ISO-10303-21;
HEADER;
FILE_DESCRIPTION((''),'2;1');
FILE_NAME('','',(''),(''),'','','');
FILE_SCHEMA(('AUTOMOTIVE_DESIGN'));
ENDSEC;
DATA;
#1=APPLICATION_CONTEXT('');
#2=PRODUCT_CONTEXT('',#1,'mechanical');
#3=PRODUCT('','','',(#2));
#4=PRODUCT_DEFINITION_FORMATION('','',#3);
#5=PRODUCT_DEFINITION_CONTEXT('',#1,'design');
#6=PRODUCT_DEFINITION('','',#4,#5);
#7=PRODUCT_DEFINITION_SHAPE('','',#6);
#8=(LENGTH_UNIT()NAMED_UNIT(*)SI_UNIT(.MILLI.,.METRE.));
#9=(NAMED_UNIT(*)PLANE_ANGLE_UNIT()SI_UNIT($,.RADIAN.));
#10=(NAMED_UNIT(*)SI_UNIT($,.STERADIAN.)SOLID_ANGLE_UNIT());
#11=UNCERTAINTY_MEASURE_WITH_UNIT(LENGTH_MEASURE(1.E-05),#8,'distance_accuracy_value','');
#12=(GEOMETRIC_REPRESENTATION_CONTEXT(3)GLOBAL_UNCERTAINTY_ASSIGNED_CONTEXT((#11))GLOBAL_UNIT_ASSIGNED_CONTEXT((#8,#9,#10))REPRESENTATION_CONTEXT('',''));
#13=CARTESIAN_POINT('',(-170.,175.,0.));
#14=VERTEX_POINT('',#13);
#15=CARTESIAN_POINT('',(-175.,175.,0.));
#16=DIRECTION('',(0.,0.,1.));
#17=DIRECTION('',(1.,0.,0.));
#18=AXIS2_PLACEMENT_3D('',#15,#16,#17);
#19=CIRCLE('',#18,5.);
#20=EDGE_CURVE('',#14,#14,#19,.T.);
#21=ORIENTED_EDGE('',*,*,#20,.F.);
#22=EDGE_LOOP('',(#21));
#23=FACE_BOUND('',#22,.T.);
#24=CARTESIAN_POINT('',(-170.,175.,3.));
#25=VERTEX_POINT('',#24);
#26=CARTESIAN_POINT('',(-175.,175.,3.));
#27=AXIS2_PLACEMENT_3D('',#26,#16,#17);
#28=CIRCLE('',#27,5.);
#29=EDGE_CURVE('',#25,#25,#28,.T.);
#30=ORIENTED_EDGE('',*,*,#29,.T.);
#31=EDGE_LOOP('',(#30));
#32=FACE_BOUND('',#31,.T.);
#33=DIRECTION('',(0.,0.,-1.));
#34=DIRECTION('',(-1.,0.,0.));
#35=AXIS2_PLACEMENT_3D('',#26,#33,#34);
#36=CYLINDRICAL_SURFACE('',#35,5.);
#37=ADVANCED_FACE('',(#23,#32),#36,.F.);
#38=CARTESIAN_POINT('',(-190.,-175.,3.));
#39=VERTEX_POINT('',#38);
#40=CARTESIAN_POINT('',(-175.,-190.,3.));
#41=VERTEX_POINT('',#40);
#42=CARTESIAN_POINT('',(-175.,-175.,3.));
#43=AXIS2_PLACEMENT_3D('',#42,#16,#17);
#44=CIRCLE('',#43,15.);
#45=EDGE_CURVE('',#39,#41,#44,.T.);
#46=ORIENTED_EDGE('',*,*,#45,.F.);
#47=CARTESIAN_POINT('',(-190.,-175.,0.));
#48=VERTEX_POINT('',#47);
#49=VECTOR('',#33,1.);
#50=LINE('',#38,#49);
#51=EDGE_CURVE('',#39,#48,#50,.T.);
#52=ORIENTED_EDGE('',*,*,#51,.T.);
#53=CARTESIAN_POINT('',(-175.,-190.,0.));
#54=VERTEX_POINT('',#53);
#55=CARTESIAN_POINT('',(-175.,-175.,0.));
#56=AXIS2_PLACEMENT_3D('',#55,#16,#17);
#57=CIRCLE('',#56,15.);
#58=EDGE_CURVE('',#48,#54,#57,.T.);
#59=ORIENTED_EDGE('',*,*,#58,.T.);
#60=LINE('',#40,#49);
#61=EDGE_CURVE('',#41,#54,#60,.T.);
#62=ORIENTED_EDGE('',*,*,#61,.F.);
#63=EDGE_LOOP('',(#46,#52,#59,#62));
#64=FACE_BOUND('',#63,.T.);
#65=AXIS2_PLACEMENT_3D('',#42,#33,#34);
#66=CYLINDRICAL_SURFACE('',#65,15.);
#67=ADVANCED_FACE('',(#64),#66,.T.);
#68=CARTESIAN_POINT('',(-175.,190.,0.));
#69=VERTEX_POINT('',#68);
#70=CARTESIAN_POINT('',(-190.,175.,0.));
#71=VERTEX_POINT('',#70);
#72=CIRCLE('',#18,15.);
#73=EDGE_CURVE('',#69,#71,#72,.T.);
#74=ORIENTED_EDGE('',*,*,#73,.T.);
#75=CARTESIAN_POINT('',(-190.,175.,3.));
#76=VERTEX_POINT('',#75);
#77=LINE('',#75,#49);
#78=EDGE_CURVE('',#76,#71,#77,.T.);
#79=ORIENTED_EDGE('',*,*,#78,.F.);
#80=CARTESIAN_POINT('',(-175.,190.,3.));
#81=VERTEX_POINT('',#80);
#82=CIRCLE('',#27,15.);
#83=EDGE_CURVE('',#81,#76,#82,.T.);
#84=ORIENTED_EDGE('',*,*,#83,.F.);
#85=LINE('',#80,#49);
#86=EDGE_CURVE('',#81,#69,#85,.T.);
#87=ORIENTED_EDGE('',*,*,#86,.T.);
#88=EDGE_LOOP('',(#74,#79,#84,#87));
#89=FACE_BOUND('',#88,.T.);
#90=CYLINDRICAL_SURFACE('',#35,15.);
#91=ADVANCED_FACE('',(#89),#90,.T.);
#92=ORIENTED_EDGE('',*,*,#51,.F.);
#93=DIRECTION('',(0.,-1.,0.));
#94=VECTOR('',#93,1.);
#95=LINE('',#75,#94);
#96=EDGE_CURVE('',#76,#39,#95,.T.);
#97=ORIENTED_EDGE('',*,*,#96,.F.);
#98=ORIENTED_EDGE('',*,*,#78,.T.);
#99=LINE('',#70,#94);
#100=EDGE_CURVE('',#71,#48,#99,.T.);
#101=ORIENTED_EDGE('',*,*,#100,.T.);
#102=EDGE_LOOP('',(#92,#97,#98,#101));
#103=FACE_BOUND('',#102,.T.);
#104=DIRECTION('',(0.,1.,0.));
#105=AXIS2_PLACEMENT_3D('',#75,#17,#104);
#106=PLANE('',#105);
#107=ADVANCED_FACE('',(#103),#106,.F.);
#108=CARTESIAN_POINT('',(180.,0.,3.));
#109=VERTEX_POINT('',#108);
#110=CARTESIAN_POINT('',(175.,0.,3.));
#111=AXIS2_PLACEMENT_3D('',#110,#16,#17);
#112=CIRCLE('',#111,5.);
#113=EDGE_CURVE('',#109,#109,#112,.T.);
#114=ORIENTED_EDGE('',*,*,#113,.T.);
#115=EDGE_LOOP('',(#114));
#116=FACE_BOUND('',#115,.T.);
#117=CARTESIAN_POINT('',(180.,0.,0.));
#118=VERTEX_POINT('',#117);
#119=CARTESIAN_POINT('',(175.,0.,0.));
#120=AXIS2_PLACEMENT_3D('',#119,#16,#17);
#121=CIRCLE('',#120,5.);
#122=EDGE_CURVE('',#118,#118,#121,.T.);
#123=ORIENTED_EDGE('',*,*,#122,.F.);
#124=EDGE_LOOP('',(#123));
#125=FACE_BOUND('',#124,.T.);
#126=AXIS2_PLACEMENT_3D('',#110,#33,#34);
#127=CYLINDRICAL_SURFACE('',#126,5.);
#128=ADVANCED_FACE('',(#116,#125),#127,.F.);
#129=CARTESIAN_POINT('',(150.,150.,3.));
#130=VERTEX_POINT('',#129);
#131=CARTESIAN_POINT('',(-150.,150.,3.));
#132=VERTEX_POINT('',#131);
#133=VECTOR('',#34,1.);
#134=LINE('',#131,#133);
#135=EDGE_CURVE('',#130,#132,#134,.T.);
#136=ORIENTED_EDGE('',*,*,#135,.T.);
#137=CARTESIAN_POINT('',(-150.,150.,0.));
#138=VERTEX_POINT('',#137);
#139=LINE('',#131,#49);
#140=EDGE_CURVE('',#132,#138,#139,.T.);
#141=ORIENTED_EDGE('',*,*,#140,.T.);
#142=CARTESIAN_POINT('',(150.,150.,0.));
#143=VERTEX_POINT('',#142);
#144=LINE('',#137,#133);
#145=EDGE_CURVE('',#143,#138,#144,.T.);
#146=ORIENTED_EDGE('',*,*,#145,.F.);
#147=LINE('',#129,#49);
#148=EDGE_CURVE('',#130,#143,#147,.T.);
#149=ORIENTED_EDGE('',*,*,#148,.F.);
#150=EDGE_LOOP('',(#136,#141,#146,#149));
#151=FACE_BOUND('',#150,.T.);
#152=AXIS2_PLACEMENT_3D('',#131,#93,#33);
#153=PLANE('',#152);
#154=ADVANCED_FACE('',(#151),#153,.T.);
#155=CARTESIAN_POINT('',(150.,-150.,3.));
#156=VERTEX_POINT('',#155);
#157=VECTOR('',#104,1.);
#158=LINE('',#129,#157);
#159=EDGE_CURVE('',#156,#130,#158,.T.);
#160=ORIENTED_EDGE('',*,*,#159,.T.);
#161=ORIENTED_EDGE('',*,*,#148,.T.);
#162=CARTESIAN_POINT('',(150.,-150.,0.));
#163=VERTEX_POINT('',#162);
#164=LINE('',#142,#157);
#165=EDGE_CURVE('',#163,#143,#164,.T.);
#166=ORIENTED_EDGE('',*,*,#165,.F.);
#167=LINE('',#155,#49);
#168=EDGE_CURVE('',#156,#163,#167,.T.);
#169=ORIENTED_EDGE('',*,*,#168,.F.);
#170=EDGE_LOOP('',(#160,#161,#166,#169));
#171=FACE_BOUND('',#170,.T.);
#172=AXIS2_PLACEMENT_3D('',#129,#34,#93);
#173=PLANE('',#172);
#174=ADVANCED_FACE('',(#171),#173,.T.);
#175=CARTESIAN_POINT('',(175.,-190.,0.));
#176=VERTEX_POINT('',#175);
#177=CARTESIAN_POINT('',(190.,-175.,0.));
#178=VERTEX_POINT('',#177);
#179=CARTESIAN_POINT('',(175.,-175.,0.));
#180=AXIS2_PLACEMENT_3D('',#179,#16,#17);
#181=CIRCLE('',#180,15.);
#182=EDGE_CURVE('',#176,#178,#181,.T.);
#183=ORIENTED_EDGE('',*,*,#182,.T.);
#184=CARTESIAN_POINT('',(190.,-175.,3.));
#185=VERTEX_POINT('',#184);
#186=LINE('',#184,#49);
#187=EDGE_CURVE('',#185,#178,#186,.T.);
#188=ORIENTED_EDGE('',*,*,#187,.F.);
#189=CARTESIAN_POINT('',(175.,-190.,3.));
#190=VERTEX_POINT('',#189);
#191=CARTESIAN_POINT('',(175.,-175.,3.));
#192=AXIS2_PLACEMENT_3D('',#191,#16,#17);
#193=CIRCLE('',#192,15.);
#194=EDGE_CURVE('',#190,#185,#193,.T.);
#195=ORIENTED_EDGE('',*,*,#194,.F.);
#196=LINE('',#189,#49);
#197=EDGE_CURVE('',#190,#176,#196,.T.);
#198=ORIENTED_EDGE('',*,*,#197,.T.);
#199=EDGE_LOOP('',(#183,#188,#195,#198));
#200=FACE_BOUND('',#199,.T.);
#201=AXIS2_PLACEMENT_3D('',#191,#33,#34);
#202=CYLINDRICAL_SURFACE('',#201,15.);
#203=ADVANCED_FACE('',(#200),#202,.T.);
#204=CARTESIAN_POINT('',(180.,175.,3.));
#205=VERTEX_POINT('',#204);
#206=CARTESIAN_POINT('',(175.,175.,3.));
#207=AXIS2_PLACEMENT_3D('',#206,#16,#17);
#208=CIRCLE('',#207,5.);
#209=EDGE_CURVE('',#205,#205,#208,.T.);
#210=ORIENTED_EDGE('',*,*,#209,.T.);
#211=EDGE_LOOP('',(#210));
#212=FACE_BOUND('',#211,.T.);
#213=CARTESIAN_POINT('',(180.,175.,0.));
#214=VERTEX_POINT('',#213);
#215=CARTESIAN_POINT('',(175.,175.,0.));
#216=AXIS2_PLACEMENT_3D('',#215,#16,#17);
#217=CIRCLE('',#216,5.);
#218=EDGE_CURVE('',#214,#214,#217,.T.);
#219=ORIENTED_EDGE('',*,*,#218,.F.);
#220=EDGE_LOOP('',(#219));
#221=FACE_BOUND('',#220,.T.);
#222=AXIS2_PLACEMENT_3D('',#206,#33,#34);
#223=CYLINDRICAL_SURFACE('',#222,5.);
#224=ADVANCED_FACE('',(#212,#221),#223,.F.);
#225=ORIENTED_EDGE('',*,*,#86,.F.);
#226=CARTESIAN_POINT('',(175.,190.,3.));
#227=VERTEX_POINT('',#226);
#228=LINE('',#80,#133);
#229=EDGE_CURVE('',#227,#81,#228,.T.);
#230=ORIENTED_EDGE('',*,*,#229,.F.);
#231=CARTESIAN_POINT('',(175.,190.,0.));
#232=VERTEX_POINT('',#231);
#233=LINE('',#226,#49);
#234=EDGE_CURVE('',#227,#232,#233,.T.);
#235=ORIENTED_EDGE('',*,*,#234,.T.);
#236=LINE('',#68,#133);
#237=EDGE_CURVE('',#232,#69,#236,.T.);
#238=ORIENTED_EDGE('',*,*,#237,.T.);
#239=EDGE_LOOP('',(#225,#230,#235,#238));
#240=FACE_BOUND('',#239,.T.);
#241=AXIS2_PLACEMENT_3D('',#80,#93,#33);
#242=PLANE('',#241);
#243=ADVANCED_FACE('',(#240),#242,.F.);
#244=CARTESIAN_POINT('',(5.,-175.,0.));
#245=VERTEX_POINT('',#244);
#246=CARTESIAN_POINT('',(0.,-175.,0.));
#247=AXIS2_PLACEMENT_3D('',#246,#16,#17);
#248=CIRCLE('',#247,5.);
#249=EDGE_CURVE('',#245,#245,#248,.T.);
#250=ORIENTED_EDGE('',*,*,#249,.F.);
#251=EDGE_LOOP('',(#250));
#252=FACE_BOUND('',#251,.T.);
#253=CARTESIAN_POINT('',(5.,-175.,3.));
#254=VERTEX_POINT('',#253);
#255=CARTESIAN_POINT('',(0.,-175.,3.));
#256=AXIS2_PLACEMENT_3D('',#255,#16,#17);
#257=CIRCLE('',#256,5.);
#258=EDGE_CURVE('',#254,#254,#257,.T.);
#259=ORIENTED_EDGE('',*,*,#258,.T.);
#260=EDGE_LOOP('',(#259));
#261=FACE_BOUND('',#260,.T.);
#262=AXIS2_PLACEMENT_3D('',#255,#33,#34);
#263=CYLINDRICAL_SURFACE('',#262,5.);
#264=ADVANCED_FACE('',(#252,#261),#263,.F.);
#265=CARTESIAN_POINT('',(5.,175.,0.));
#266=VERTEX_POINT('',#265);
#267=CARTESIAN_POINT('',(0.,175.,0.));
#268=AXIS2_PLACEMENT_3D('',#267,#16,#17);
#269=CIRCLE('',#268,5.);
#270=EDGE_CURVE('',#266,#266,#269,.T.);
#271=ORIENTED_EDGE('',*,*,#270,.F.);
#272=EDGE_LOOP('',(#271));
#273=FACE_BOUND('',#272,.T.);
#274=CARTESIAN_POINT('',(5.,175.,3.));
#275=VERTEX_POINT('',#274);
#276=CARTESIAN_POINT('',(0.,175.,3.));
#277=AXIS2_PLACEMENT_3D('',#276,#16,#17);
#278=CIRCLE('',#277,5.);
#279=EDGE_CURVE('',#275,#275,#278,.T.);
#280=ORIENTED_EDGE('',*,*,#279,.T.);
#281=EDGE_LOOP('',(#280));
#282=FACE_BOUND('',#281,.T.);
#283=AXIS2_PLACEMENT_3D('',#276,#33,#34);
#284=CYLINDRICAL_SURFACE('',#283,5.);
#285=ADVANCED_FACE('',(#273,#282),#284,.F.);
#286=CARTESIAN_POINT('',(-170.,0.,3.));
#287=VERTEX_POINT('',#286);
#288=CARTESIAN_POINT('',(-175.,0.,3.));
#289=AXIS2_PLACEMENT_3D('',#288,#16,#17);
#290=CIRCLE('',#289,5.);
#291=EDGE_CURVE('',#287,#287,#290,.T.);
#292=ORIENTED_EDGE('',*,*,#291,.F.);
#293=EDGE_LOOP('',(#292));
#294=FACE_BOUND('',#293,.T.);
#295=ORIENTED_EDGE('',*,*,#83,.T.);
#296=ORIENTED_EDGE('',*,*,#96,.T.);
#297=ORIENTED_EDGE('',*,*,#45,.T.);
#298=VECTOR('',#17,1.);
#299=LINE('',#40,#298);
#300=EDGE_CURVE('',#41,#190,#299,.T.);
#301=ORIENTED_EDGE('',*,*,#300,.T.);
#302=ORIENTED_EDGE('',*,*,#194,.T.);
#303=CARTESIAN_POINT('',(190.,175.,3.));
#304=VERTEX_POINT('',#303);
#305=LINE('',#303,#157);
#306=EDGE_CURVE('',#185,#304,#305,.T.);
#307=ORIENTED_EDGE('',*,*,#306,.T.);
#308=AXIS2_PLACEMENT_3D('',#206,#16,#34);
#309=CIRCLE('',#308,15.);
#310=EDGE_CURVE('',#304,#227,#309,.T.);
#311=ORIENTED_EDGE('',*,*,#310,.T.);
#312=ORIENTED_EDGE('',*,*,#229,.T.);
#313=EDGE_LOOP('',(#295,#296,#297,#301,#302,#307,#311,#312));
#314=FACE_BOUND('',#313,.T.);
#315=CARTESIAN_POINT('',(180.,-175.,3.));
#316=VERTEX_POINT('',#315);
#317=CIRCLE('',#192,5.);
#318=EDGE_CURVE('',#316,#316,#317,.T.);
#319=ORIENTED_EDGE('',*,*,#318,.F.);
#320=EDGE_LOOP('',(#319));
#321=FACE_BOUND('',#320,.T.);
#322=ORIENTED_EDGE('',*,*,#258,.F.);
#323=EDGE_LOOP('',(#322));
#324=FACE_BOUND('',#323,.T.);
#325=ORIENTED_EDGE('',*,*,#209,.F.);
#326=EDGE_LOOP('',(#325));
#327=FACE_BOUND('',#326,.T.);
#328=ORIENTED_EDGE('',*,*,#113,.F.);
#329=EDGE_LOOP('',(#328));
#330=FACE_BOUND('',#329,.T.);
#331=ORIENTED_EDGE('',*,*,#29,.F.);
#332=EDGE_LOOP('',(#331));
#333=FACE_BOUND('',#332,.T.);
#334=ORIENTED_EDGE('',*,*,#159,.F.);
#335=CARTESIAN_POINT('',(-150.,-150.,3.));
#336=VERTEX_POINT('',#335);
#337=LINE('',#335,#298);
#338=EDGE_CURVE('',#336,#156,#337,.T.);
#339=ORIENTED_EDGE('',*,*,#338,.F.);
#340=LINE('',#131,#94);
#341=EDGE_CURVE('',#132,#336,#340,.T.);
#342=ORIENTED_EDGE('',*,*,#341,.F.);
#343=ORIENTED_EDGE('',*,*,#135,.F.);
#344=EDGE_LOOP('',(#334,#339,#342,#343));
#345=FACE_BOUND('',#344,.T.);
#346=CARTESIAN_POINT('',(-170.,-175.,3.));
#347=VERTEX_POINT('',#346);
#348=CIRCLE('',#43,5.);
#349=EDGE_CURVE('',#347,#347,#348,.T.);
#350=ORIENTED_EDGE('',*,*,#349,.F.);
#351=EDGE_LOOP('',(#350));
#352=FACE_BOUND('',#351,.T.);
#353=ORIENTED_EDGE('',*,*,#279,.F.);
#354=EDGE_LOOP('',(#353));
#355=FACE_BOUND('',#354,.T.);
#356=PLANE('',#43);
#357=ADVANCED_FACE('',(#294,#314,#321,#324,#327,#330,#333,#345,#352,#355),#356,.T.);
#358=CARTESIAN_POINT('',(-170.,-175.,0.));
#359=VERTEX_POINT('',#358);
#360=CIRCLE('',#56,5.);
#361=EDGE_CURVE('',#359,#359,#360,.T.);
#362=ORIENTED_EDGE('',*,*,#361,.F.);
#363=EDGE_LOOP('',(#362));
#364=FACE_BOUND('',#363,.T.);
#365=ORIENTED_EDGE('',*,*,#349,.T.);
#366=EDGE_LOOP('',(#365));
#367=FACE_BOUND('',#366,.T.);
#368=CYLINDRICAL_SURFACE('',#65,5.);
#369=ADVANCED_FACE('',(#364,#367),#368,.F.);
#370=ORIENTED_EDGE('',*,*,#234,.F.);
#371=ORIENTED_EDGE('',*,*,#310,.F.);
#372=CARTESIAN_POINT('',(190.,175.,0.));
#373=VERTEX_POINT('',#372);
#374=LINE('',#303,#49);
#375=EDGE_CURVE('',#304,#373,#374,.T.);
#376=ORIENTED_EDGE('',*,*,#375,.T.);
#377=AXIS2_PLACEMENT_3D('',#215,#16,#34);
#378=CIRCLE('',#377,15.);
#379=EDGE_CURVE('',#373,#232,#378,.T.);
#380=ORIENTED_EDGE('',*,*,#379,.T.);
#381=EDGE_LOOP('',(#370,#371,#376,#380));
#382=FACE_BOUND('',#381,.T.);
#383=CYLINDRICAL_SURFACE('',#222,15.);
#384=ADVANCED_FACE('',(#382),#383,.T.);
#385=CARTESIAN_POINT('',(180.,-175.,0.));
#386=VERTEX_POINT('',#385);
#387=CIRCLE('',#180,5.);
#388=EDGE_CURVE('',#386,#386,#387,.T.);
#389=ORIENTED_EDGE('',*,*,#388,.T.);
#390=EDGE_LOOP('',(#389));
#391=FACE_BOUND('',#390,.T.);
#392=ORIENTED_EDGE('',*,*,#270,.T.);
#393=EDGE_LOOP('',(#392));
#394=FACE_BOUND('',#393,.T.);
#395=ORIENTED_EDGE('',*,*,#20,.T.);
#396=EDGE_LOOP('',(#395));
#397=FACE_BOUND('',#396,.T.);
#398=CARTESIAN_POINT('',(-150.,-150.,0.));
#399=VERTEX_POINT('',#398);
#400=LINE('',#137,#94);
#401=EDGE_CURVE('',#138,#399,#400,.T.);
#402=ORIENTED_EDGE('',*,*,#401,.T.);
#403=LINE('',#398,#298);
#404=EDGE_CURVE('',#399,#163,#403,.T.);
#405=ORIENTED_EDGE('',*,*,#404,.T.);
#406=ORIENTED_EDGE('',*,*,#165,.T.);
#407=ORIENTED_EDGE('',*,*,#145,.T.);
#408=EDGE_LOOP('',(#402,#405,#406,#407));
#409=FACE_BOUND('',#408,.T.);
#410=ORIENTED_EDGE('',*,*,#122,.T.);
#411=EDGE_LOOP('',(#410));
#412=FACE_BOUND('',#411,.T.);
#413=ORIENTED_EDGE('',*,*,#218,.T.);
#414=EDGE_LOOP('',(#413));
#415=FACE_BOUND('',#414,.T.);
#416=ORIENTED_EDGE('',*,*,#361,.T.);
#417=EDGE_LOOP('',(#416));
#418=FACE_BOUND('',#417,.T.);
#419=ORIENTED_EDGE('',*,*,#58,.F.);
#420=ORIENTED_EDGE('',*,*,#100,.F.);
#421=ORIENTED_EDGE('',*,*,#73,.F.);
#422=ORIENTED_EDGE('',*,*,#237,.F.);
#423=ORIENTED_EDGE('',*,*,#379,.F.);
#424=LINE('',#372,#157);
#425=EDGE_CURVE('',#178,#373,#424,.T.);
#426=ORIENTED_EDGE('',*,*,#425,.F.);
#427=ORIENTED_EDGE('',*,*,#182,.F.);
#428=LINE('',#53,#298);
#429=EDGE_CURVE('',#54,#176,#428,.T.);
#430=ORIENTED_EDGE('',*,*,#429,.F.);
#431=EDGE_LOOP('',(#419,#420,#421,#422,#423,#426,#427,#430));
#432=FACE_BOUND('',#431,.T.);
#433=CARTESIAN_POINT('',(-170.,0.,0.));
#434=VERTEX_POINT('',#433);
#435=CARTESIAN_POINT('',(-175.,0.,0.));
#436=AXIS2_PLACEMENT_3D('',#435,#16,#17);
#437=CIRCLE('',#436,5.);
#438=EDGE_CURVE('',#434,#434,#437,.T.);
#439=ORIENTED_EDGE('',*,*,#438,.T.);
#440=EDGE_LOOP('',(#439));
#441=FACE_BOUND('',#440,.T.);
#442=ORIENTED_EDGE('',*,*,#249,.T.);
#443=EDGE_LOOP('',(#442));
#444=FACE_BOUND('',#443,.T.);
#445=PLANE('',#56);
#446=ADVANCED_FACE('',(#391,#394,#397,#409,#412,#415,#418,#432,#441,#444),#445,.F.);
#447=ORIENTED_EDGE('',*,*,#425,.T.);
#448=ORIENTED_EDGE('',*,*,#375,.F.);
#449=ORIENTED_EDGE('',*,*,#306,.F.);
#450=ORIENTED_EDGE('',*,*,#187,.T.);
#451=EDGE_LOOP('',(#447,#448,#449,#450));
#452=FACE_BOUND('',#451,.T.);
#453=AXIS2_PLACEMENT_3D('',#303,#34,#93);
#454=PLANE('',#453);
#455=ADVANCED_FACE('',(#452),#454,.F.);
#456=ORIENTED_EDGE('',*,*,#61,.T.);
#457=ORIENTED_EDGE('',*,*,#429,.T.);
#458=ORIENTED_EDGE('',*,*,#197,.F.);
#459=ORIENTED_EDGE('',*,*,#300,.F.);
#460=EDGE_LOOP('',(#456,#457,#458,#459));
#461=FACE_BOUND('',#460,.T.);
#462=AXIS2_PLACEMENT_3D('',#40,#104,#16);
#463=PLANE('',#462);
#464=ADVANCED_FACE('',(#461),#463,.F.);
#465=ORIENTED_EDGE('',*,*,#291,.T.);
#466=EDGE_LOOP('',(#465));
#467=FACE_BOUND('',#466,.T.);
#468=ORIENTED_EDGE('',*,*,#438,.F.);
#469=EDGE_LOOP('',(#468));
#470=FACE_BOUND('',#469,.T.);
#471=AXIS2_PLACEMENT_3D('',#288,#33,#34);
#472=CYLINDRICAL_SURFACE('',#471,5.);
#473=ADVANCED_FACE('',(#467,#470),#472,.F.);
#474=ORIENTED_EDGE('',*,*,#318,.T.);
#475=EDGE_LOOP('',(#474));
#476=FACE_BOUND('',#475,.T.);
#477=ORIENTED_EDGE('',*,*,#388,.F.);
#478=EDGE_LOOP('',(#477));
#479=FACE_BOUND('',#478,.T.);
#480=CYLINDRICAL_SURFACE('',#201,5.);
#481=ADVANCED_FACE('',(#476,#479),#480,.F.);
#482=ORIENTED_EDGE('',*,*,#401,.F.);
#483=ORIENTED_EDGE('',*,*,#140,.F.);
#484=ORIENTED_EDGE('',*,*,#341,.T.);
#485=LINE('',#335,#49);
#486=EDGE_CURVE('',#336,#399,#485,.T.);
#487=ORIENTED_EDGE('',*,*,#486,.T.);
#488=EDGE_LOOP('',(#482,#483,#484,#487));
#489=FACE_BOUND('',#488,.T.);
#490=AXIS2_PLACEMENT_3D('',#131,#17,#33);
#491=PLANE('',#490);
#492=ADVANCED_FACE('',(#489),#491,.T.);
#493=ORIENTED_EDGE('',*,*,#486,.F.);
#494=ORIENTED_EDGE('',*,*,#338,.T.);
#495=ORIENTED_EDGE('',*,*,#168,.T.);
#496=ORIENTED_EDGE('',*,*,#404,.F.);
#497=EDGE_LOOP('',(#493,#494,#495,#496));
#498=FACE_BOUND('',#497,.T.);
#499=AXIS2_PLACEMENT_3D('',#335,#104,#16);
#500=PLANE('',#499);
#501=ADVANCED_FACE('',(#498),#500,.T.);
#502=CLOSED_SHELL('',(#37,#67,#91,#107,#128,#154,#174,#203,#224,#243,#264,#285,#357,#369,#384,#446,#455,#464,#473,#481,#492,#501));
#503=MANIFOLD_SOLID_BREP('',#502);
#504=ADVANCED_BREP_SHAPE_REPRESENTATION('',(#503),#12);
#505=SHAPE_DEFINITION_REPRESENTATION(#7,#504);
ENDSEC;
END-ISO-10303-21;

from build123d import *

# Parameters (mm, degrees)
SKETCH2_R           = 5
SKETCH2_W           = 300
SKETCH2_H           = 300
BOSS_EXTRUDE1_DEPTH = 3


with BuildPart() as part:
    # Sketch2 → Boss-Extrude1 (new body)
    with BuildSketch(Plane.XY):
        with BuildLine():
            Line((-175, 190), (175, 190))
            ThreePointArc((175, 190), (185.606601718, 185.606601718), (190, 175))
            Line((190, 175), (190, -175))
            ThreePointArc((190, -175), (185.606601718, -185.606601718), (175, -190))
            Line((175, -190), (-175, -190))
            ThreePointArc((-175, -190), (-185.606601718, -185.606601718), (-190, -175))
            Line((-190, -175), (-190, 175))
            ThreePointArc((-190, 175), (-185.606601718, 185.606601718), (-175, 190))
        make_face()
        with Locations((-175, 175)):
            Circle(SKETCH2_R, mode=Mode.SUBTRACT)
        with Locations((0, 175)):
            Circle(SKETCH2_R, mode=Mode.SUBTRACT)
        with Locations((175, 175)):
            Circle(SKETCH2_R, mode=Mode.SUBTRACT)
        with Locations((175, 0)):
            Circle(SKETCH2_R, mode=Mode.SUBTRACT)
        with Locations((-175, 0)):
            Circle(SKETCH2_R, mode=Mode.SUBTRACT)
        with Locations((-175, -175)):
            Circle(SKETCH2_R, mode=Mode.SUBTRACT)
        with Locations((0, -175)):
            Circle(SKETCH2_R, mode=Mode.SUBTRACT)
        with Locations((175, -175)):
            Circle(SKETCH2_R, mode=Mode.SUBTRACT)
        Rectangle(SKETCH2_W, SKETCH2_H, mode=Mode.SUBTRACT)
    extrude(amount=BOSS_EXTRUDE1_DEPTH)


solid = part.part
